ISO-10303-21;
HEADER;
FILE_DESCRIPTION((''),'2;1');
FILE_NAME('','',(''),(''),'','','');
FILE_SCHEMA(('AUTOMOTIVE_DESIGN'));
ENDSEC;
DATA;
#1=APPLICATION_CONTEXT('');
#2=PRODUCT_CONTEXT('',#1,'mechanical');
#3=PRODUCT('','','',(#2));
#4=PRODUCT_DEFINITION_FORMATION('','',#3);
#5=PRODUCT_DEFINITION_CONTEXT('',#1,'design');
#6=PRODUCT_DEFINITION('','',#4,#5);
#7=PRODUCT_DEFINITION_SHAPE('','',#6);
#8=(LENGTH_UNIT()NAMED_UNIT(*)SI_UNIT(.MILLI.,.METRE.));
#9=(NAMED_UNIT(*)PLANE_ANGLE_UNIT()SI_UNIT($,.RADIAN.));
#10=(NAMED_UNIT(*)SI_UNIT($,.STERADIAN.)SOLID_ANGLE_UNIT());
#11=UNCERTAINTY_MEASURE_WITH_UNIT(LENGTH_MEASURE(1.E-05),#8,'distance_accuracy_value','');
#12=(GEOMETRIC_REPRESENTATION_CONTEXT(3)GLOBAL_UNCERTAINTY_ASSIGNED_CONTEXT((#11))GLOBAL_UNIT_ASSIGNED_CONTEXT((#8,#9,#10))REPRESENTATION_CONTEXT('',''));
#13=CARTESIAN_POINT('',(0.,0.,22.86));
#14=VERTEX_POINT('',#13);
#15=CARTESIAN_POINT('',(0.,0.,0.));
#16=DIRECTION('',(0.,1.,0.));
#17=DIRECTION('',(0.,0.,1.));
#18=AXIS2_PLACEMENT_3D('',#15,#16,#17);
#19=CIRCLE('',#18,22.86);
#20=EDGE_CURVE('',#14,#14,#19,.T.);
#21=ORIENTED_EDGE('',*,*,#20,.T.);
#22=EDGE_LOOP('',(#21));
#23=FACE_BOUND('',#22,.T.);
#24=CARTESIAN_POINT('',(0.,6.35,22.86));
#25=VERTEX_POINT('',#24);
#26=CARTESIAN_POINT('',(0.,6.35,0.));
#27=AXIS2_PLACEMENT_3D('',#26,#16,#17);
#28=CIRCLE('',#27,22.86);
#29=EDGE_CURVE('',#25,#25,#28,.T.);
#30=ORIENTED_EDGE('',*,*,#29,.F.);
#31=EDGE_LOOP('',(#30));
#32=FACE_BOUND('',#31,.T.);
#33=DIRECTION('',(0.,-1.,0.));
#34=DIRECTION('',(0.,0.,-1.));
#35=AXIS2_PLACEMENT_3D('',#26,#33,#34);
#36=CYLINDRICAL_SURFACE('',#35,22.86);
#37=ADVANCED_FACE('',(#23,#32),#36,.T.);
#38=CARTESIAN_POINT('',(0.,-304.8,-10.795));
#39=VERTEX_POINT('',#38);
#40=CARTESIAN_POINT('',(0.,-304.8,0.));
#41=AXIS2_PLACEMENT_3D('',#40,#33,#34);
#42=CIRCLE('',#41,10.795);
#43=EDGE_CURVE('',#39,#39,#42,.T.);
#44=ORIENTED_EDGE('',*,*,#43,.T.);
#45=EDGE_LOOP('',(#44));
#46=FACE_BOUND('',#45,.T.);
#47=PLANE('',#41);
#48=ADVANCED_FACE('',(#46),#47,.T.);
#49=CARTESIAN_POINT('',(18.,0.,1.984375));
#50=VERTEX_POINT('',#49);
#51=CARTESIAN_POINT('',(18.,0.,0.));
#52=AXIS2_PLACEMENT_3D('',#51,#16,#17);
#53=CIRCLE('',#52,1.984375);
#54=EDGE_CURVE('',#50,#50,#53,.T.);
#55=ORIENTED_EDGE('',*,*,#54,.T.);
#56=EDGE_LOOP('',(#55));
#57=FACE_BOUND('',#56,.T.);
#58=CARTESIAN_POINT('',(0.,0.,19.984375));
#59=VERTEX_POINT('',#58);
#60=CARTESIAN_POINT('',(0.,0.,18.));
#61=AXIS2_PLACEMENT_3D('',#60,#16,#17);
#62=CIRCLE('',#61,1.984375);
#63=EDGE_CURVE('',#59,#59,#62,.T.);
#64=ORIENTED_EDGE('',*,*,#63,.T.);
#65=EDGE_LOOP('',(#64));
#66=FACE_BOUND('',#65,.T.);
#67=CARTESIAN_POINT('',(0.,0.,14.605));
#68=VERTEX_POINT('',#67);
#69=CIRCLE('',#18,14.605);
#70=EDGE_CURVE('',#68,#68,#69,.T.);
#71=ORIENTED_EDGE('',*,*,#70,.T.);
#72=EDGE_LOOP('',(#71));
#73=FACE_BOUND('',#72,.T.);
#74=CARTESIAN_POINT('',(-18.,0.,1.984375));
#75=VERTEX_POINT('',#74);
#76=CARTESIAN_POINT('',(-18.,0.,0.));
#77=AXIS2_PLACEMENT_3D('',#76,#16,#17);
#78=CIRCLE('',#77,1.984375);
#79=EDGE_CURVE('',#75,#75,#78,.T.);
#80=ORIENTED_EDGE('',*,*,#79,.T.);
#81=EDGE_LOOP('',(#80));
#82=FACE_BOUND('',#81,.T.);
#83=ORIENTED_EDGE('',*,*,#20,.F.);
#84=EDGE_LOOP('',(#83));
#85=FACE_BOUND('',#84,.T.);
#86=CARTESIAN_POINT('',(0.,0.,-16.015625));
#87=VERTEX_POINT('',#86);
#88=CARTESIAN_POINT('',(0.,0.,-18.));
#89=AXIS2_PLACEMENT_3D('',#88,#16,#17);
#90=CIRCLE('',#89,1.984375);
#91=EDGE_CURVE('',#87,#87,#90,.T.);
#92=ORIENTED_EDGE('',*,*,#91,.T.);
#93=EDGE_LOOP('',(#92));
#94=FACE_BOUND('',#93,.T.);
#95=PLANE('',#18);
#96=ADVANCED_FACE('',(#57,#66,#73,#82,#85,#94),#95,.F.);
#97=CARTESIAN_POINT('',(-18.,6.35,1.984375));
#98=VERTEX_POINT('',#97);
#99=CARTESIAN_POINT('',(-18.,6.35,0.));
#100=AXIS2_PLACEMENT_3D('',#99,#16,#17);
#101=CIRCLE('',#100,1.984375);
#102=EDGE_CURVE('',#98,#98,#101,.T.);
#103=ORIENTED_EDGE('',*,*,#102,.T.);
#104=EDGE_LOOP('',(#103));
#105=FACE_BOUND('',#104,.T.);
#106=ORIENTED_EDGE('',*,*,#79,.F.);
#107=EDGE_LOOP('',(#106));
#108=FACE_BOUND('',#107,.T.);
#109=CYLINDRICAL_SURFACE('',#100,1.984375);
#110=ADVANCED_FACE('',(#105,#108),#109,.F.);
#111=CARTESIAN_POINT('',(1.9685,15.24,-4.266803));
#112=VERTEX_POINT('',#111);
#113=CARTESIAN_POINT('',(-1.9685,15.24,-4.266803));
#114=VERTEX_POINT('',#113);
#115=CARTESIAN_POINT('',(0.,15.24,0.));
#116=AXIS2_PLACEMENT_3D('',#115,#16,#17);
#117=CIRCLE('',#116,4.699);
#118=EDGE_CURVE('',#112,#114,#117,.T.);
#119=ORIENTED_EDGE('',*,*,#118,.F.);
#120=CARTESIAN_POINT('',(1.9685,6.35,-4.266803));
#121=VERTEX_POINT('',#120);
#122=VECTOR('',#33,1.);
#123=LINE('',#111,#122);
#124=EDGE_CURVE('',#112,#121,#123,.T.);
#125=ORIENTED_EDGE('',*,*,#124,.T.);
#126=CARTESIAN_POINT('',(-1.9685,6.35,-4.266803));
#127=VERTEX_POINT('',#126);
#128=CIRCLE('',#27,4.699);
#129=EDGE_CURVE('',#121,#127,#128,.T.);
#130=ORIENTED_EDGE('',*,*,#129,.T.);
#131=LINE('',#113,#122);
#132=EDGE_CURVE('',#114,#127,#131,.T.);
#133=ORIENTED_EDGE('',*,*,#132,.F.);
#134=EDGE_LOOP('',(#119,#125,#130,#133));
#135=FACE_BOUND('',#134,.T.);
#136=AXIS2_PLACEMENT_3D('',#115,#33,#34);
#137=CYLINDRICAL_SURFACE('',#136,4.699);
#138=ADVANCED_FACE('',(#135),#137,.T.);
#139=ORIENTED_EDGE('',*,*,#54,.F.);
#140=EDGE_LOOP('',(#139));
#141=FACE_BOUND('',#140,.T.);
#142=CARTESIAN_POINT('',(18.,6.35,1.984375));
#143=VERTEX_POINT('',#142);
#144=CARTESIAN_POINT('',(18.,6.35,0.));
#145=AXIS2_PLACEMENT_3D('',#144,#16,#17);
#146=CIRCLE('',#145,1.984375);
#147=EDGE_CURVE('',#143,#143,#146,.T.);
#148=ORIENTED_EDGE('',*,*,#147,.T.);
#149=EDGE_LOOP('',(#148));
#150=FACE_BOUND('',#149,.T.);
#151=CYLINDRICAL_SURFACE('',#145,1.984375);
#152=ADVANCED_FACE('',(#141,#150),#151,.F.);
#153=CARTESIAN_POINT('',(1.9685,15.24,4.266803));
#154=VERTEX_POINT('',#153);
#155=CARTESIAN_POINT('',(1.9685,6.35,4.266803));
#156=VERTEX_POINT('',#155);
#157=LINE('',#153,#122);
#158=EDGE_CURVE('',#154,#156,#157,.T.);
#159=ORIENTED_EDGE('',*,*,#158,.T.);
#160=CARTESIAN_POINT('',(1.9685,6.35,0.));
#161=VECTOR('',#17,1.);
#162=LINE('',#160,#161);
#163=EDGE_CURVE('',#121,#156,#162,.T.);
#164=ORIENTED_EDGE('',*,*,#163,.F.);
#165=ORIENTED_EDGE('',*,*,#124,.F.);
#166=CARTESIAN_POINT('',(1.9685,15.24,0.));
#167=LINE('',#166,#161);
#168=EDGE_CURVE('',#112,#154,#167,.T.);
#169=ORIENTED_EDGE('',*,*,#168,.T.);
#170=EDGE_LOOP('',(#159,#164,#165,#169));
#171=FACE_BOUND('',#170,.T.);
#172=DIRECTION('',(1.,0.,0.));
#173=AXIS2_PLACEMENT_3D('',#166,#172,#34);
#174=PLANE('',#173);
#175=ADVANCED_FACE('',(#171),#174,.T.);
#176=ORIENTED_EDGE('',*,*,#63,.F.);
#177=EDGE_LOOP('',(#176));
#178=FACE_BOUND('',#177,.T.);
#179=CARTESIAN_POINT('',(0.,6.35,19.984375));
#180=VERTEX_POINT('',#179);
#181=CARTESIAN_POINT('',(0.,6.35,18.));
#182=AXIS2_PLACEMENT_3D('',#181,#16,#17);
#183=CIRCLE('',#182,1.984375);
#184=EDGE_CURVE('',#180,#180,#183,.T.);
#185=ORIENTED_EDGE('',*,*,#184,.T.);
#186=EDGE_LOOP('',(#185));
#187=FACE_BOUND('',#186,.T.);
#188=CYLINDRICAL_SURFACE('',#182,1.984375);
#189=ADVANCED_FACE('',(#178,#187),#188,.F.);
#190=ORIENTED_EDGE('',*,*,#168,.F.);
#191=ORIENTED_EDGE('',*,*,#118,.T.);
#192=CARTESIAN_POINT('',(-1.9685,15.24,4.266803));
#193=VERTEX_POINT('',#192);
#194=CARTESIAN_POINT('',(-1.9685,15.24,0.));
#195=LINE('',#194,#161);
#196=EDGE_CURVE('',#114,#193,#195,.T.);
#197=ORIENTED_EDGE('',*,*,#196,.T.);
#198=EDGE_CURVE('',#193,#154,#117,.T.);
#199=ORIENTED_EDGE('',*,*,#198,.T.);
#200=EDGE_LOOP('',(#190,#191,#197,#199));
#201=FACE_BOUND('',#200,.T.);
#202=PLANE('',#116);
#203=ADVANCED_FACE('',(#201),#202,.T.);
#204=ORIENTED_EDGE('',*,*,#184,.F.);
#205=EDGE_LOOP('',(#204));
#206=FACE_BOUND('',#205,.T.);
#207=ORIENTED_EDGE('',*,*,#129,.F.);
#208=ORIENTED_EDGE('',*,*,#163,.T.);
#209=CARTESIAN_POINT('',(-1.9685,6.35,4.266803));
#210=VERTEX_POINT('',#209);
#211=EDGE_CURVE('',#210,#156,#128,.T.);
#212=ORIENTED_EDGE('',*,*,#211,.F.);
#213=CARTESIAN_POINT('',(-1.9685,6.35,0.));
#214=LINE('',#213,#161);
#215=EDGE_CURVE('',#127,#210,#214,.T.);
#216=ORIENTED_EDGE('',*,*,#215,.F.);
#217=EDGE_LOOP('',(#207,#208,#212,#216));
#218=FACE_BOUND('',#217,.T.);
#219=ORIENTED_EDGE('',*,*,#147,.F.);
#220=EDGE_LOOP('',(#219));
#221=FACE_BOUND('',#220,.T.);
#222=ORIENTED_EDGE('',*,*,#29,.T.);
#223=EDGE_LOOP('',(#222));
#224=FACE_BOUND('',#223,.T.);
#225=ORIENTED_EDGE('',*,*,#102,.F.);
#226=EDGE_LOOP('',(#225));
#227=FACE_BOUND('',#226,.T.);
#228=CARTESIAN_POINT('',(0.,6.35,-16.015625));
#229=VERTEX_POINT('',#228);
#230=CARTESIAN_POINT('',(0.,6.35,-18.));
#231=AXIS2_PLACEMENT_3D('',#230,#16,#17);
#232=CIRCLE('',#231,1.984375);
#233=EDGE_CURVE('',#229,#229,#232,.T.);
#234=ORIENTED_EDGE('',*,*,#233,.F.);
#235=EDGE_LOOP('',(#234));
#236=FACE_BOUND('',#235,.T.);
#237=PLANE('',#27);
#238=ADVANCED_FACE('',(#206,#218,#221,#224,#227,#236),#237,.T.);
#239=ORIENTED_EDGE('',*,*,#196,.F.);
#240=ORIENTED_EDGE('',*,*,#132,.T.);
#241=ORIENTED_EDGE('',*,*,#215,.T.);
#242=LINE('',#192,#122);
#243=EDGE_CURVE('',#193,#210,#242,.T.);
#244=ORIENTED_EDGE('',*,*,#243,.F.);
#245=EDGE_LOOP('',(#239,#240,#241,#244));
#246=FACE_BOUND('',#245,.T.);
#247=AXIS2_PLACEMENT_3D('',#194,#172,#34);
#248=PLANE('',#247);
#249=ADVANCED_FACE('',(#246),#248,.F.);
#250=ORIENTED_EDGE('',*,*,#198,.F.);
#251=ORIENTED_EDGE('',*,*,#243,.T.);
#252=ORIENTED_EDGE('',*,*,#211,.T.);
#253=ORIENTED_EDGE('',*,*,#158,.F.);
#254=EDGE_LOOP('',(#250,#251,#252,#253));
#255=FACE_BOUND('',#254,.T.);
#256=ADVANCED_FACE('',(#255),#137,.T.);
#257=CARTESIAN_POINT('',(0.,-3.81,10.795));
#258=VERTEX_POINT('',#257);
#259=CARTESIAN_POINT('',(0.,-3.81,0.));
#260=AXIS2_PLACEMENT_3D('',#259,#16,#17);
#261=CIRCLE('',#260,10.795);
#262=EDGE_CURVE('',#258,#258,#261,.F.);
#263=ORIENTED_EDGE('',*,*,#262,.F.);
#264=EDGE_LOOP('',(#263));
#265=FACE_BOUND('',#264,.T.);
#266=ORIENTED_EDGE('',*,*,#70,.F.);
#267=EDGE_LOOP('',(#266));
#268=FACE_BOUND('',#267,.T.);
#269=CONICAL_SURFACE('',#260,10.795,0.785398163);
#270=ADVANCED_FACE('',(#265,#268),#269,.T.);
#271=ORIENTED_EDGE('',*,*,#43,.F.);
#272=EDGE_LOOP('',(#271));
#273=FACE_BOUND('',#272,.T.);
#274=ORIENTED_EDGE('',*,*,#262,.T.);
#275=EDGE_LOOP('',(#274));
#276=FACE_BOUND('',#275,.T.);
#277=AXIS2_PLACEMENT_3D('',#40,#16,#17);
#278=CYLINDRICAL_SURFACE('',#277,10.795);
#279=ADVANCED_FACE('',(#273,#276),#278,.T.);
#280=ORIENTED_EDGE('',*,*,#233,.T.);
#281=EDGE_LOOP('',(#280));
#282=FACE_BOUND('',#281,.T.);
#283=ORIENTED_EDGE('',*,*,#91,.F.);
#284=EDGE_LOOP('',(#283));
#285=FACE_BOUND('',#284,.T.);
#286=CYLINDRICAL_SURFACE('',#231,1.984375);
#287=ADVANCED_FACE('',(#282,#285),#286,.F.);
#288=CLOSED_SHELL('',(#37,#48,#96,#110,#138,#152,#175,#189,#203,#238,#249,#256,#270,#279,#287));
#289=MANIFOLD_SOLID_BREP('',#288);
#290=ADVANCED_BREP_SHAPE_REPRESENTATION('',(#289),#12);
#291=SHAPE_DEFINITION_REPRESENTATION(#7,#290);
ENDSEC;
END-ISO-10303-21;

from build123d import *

# Parameters (mm, degrees)
SKETCH1_R                           = 22.86
BOSS_EXTRUDE1_DEPTH                 = 6.35
BOSS_EXTRUDE2_DEPTH                 = 8.89
SKETCH3_R                           = 10.795
BOSS_EXTRUDE3_DEPTH                 = 304.8
CHAMFER1_SIZE                       = 3.81
F_5_32_0_15625_DIAMETER_HOLE1_D     = 3.96875
F_5_32_0_15625_DIAMETER_HOLE1_DEPTH = 6.351
CIRPATTERN1_COUNT                   = 4


with BuildPart() as part:
    # Sketch1 → Boss-Extrude1 (new body)
    with BuildSketch(Plane(origin=(0, 0, 0), x_dir=(1, 0, 0), z_dir=(0, 1, 0))):
        Circle(SKETCH1_R)
    extrude(amount=BOSS_EXTRUDE1_DEPTH)

    # Sketch2 → Boss-Extrude2 (add)
    with BuildSketch(Plane(origin=(0, 6.35, 0), x_dir=(1, 0, 0), z_dir=(0, 1, 0))):
        with BuildLine():
            Line((1.9685, -4.266803107), (1.9685, 4.266803107))
            ThreePointArc((1.9685, 4.266803107), (0, 4.699), (-1.9685, 4.266803107))
            Line((-1.9685, 4.266803107), (-1.9685, -4.266803107))
            ThreePointArc((-1.9685, -4.266803107), (0, -4.699), (1.9685, -4.266803107))
        make_face()
    extrude(amount=BOSS_EXTRUDE2_DEPTH)

    # Sketch3 → Boss-Extrude3 (add)
    with BuildSketch(Plane.XZ):
        Circle(SKETCH3_R)
    extrude(amount=BOSS_EXTRUDE3_DEPTH)

    # Chamfer1
    chamfer1_edges = [part.edges().sort_by_distance(p)[0] for p in [
        (-10.795, 0, 0),
    ]]
    chamfer(chamfer1_edges, length=CHAMFER1_SIZE)

    # 5/32 (0.15625) Diameter Hole1
    with Locations(Plane(origin=(0, 6.35, 0), x_dir=(1, 0, 0), z_dir=(0, 1, 0))):
        with Locations((0, 18)):
            f_5_32_0_15625_diameter_hole1 = Hole(F_5_32_0_15625_DIAMETER_HOLE1_D / 2, depth=F_5_32_0_15625_DIAMETER_HOLE1_DEPTH)

    # CirPattern1: 5/32 (0.15625) Diameter Hole1 ×4 about axis
    cirpattern1_axis = Axis((0, 0, 0), (0, 1, 0))
    for i in range(1, CIRPATTERN1_COUNT):
        add(f_5_32_0_15625_diameter_hole1.rotate(cirpattern1_axis, i * 360 / CIRPATTERN1_COUNT), mode=Mode.SUBTRACT)


solid = part.part
